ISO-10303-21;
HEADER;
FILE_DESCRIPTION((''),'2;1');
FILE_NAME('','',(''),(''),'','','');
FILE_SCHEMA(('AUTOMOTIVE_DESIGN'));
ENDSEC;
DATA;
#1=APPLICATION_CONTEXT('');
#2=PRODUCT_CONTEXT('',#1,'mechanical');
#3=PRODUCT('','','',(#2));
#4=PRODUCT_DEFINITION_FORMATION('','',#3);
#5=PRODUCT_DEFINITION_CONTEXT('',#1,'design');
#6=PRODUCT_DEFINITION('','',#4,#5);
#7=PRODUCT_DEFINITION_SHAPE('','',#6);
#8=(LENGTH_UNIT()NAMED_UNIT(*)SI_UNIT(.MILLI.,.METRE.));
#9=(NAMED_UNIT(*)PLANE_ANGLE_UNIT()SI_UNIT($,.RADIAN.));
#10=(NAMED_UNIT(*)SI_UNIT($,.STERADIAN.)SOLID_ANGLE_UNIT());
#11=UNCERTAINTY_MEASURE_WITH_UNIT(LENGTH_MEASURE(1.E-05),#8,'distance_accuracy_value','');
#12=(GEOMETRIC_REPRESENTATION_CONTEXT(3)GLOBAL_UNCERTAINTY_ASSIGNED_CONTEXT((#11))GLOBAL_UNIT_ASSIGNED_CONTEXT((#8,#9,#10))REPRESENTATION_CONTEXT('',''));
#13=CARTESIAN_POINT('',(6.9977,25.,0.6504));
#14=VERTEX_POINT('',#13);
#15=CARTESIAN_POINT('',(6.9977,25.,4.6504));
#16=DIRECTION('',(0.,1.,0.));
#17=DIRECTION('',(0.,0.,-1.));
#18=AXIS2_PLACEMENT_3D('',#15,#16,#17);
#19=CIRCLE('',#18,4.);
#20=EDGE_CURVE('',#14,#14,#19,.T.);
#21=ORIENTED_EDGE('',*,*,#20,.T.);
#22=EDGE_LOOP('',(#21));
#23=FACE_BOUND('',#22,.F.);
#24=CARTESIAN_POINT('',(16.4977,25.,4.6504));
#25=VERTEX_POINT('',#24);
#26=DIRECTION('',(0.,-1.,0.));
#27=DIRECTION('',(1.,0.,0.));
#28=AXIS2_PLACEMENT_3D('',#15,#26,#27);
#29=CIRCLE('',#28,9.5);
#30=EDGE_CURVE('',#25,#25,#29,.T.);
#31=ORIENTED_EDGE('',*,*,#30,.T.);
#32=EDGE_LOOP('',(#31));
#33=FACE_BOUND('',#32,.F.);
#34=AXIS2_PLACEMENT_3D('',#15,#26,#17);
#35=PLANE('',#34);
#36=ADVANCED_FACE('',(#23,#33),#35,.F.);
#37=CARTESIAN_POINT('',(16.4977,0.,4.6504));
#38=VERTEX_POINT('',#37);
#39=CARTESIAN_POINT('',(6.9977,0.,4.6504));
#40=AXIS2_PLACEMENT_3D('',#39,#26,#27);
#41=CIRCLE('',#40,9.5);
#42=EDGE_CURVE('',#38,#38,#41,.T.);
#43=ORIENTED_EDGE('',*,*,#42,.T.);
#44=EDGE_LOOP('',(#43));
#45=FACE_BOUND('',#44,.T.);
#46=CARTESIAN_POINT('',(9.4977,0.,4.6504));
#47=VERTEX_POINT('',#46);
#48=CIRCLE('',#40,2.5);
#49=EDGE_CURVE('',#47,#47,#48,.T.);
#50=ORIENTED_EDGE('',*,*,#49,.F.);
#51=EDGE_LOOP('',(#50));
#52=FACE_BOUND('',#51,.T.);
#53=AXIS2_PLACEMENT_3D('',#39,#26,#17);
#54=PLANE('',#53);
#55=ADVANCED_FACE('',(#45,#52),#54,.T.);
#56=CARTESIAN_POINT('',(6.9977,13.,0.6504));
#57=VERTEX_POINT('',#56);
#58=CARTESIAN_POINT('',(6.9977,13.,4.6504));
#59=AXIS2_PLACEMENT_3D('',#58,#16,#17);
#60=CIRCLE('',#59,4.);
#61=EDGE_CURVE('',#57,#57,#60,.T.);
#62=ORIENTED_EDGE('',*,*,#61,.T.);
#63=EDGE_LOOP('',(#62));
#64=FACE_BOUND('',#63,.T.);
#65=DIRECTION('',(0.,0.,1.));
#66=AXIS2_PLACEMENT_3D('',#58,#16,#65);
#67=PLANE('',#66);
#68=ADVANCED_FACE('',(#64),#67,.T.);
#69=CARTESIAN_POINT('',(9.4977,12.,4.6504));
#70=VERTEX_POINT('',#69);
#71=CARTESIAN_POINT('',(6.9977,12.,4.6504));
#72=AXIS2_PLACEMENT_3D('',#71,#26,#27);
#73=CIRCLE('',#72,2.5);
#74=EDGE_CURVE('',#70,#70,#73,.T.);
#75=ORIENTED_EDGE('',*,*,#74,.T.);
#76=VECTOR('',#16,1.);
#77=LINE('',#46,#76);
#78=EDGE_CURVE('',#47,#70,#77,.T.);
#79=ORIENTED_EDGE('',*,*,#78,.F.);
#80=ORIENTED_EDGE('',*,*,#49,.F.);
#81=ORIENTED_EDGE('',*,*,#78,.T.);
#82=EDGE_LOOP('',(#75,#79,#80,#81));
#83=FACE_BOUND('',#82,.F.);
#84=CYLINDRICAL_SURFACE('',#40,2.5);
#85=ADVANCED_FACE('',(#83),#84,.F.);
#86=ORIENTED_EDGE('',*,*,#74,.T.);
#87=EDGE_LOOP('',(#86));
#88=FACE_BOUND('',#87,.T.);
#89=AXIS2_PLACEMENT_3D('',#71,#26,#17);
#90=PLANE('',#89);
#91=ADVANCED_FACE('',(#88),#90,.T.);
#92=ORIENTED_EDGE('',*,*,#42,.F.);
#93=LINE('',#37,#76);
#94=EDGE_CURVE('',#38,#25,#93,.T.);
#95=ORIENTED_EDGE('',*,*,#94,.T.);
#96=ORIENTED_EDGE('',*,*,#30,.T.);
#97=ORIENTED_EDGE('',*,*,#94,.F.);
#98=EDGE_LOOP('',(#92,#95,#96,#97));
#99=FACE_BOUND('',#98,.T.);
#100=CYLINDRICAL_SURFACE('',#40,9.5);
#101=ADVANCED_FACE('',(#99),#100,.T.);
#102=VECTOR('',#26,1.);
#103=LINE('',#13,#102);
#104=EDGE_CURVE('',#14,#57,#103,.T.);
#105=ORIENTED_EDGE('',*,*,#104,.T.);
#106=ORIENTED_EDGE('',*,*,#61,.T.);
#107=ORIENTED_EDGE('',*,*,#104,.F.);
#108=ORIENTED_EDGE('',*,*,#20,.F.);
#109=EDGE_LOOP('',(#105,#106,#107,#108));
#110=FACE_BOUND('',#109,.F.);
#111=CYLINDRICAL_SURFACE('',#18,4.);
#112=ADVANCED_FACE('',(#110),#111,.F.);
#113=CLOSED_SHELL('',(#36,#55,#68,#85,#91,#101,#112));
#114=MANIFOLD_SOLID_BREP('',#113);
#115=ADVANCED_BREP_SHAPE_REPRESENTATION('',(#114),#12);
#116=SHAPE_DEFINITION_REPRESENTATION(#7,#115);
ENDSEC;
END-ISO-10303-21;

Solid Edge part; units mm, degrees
sketch "Sketch1" plane through (0, 0, 0) normal (0, -1, 0) x (1, 0, 0)
  circle A0 centre (6.9977, 4.6504) radius 9.5
extrude "Protrusion1" add sketch "Sketch1" against normal blind 25
sketch "Sketch2" plane through (6.9977, 0, 4.6504) normal (0, -1, 0) x (1, 0, 0)
  circle A0 centre (0, 0) radius 2.5
extrude "VaciadoExtruido_1" cut sketch "Sketch2" against normal blind 12
sketch "Sketch3" plane through (6.9977, 25, 4.6504) normal (0, 1, 0) x (0, 0, -1)
  circle A0 centre (0, 0) radius 4
extrude "VaciadoExtruido_2" cut sketch "Sketch3" against normal blind 12
